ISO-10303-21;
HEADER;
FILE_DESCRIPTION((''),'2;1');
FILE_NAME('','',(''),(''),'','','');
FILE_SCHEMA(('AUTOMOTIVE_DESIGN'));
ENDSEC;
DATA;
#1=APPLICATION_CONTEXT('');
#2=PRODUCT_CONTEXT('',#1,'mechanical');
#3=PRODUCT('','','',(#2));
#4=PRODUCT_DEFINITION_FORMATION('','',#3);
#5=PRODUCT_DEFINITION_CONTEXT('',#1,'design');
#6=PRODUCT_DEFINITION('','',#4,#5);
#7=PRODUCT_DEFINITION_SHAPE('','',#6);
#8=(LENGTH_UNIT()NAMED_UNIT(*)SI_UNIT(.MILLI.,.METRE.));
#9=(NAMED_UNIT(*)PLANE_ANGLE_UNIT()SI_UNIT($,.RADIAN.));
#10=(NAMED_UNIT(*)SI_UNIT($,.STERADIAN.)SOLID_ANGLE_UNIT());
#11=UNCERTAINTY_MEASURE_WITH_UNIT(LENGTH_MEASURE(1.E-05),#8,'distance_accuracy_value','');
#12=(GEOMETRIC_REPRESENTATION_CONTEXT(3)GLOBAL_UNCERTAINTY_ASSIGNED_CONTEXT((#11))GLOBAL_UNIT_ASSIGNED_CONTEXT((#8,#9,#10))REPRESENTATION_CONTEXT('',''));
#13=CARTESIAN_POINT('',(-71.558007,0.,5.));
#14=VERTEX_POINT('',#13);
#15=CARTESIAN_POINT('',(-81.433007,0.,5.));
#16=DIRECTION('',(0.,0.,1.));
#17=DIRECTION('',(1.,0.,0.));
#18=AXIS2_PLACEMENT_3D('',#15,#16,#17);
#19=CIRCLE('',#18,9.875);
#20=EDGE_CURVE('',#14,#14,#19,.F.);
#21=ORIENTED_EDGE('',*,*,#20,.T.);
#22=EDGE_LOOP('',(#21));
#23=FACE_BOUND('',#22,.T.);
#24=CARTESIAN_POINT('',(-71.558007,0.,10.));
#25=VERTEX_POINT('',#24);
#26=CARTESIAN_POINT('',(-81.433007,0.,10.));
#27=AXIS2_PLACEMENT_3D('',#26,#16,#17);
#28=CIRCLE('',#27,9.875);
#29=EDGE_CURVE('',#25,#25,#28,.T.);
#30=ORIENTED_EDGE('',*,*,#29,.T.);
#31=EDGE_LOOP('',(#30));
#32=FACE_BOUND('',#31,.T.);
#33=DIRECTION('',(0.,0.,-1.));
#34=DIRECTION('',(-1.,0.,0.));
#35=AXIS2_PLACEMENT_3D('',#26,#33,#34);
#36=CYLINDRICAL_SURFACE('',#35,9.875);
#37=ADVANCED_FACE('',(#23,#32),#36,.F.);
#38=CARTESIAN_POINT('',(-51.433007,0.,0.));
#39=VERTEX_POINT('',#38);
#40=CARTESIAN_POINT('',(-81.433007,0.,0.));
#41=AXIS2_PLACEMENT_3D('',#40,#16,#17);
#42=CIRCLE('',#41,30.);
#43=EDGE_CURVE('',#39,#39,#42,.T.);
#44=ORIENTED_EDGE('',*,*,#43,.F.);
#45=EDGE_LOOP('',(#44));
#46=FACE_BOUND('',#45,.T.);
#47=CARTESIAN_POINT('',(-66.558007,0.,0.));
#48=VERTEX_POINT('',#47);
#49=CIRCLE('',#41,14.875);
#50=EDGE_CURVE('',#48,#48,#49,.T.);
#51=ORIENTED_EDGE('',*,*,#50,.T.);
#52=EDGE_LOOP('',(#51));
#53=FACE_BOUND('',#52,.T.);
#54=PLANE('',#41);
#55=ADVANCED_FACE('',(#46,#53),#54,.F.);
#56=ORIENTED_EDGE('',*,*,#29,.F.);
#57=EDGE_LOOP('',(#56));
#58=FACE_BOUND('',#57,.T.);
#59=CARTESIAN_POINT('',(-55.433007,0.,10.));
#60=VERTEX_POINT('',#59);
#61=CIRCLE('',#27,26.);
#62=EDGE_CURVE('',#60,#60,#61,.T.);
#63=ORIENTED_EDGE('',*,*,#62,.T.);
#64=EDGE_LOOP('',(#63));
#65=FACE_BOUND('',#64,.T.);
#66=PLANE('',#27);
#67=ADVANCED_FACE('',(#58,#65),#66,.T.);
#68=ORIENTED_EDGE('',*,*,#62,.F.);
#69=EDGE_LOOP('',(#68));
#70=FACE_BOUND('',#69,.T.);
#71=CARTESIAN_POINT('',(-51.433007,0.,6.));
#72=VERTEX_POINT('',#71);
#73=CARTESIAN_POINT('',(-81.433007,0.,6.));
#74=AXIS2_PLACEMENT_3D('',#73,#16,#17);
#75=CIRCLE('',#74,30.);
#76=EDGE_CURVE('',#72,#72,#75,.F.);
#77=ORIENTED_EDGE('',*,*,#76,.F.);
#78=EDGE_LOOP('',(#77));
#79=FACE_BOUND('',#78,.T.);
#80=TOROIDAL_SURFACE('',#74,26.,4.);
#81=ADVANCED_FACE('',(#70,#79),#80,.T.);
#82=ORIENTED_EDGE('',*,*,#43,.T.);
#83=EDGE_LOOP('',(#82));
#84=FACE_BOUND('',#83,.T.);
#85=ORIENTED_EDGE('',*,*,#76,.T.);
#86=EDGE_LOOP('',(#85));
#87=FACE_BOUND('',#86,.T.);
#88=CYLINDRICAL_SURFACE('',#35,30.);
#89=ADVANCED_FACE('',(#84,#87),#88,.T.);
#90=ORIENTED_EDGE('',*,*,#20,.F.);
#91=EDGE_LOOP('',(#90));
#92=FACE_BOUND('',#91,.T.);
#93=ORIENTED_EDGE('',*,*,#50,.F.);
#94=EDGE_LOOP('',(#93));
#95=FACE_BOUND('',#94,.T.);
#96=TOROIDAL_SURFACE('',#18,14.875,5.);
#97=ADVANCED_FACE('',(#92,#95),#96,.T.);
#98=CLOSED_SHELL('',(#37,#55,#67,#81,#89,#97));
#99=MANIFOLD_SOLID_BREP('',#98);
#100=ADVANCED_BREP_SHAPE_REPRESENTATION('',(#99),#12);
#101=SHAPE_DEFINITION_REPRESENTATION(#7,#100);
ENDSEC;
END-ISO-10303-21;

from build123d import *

# Parameters (mm, degrees)
SKETCH10_R          = 30
SKETCH10_R_2        = 9.875
BOSS_EXTRUDE4_DEPTH = 10
FILLET1_R           = 4
FILLET2_R           = 5


with BuildPart() as part:
    # Sketch10 → Boss-Extrude4 (new body)
    with BuildSketch(Plane.XY):
        with Locations((-81.433006588, 0)):
            Circle(SKETCH10_R)
        with Locations((-81.433006588, 0)):
            Circle(SKETCH10_R_2, mode=Mode.SUBTRACT)
    extrude(amount=BOSS_EXTRUDE4_DEPTH)

    # Fillet1
    fillet1_edges = [part.edges().sort_by_distance(p)[0] for p in [
        (-111.433006588, 0, 10),
    ]]
    fillet(fillet1_edges, radius=FILLET1_R)

    # Fillet2
    fillet2_edges = [part.edges().sort_by_distance(p)[0] for p in [
        (-91.308006588, 0, 0),
    ]]
    fillet(fillet2_edges, radius=FILLET2_R)


solid = part.part
